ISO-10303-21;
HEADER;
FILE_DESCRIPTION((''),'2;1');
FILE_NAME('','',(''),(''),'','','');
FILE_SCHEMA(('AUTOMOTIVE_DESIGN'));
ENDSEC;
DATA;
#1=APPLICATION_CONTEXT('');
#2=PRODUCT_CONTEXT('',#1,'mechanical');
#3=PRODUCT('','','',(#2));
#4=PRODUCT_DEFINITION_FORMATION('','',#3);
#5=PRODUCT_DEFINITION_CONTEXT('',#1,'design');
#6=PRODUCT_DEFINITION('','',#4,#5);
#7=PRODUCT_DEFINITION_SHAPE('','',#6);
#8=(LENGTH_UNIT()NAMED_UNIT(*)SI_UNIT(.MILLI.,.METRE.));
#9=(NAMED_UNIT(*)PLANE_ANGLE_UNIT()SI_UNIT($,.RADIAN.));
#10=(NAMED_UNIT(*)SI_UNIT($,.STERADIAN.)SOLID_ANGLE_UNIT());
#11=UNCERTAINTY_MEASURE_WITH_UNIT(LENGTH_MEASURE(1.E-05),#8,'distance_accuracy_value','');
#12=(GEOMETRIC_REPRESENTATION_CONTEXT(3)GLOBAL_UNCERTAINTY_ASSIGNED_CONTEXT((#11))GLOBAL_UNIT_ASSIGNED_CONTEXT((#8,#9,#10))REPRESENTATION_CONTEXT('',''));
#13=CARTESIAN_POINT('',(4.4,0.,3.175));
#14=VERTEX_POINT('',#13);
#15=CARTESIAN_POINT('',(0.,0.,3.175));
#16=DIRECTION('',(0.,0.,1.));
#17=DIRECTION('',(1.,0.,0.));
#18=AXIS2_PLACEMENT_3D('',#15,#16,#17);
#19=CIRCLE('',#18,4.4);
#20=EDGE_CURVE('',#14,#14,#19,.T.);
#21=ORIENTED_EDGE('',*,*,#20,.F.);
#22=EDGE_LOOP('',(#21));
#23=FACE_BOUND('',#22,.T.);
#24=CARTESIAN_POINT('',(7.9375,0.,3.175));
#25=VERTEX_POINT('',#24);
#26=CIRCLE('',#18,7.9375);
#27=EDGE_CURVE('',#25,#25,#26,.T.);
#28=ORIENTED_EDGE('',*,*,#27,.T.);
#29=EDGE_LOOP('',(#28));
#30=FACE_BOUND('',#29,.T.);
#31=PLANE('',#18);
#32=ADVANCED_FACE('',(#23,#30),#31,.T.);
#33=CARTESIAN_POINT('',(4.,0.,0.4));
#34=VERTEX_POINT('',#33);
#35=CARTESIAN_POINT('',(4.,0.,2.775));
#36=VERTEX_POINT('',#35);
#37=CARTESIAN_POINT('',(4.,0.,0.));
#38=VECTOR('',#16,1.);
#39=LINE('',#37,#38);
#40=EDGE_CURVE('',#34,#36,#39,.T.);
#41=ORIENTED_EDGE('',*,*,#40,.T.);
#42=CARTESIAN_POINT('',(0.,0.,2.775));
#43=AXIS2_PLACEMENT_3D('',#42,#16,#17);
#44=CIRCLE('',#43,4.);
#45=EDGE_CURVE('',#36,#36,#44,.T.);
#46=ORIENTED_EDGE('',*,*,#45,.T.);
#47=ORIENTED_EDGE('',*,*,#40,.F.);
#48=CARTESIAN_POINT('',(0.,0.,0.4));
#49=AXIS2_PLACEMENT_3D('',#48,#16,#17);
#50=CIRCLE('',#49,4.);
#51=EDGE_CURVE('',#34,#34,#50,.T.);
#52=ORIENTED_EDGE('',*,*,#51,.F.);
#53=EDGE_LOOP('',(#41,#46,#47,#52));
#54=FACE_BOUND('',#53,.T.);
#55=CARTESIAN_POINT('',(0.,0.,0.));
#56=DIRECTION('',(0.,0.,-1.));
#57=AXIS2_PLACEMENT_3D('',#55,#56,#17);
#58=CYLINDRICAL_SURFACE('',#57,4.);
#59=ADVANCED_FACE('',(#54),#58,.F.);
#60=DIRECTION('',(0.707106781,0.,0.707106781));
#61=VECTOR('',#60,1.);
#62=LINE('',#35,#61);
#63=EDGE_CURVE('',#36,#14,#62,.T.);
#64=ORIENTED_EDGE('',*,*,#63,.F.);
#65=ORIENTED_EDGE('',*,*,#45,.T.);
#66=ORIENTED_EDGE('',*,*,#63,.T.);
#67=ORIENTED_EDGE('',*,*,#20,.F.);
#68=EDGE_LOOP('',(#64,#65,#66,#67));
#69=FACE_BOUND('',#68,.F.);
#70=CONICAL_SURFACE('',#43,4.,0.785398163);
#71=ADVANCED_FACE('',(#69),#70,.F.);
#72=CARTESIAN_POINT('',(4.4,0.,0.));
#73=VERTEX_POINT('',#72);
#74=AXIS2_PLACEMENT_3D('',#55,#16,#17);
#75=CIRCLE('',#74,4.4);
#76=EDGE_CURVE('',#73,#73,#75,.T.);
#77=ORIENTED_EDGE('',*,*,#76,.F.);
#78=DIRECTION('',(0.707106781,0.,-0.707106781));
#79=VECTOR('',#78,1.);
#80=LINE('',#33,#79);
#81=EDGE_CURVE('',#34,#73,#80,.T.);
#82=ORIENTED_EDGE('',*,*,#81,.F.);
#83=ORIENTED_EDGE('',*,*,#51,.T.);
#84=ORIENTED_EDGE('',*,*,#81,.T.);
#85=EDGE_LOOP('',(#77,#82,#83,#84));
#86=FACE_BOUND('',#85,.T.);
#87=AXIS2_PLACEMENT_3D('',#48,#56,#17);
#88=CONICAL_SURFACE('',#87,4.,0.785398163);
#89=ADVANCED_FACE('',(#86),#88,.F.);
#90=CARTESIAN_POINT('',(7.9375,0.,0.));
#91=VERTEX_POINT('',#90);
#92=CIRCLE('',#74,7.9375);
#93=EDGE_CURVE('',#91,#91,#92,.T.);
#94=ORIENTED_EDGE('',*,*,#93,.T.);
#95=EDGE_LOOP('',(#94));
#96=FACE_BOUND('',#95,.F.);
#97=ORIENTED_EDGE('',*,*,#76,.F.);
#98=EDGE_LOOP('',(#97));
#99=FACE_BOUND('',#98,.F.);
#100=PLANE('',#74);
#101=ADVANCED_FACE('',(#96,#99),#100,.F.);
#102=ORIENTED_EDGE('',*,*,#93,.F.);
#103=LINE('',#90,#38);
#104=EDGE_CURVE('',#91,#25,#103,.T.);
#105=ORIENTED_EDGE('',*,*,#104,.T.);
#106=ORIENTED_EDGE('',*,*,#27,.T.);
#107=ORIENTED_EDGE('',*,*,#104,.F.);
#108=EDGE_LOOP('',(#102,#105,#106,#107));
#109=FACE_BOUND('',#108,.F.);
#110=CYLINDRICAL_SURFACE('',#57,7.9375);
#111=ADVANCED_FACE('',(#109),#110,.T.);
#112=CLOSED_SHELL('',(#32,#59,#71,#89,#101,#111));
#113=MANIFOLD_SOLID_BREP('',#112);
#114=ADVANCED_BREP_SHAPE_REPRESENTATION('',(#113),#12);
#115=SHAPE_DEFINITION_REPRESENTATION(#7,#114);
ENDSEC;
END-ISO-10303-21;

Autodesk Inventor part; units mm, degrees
ref_plane "YZ Plane" through (0, 0, 0) normal (1, 0, 0) x (0, 1, 0)
ref_plane "XZ Plane" through (0, 0, 0) normal (0, 1, 0) x (-1, 0, 0)
ref_plane "XY Plane" through (0, 0, 0) normal (0, 0, 1) x (1, 0, 0)
sketch "Sketch1" plane through (0, 0, 0) normal (0, 0, 1) x (1, 0, 0)
  circle A0 centre (0, 0) radius 4
  circle A1 centre (0, 0) radius 7.9375
  dimension "d0" = 8
  dimension "d2" = 15.875
extrude "Extrusion1" add sketch "Sketch1" along normal blind 3.175
chamfer "Chamfer1" distance 0.4 angle 45 2 edges at (-4, 0, 3.175) (-4, 0, 0)
properties part number "Kracken Spacer" material "Aluminum 6061"
